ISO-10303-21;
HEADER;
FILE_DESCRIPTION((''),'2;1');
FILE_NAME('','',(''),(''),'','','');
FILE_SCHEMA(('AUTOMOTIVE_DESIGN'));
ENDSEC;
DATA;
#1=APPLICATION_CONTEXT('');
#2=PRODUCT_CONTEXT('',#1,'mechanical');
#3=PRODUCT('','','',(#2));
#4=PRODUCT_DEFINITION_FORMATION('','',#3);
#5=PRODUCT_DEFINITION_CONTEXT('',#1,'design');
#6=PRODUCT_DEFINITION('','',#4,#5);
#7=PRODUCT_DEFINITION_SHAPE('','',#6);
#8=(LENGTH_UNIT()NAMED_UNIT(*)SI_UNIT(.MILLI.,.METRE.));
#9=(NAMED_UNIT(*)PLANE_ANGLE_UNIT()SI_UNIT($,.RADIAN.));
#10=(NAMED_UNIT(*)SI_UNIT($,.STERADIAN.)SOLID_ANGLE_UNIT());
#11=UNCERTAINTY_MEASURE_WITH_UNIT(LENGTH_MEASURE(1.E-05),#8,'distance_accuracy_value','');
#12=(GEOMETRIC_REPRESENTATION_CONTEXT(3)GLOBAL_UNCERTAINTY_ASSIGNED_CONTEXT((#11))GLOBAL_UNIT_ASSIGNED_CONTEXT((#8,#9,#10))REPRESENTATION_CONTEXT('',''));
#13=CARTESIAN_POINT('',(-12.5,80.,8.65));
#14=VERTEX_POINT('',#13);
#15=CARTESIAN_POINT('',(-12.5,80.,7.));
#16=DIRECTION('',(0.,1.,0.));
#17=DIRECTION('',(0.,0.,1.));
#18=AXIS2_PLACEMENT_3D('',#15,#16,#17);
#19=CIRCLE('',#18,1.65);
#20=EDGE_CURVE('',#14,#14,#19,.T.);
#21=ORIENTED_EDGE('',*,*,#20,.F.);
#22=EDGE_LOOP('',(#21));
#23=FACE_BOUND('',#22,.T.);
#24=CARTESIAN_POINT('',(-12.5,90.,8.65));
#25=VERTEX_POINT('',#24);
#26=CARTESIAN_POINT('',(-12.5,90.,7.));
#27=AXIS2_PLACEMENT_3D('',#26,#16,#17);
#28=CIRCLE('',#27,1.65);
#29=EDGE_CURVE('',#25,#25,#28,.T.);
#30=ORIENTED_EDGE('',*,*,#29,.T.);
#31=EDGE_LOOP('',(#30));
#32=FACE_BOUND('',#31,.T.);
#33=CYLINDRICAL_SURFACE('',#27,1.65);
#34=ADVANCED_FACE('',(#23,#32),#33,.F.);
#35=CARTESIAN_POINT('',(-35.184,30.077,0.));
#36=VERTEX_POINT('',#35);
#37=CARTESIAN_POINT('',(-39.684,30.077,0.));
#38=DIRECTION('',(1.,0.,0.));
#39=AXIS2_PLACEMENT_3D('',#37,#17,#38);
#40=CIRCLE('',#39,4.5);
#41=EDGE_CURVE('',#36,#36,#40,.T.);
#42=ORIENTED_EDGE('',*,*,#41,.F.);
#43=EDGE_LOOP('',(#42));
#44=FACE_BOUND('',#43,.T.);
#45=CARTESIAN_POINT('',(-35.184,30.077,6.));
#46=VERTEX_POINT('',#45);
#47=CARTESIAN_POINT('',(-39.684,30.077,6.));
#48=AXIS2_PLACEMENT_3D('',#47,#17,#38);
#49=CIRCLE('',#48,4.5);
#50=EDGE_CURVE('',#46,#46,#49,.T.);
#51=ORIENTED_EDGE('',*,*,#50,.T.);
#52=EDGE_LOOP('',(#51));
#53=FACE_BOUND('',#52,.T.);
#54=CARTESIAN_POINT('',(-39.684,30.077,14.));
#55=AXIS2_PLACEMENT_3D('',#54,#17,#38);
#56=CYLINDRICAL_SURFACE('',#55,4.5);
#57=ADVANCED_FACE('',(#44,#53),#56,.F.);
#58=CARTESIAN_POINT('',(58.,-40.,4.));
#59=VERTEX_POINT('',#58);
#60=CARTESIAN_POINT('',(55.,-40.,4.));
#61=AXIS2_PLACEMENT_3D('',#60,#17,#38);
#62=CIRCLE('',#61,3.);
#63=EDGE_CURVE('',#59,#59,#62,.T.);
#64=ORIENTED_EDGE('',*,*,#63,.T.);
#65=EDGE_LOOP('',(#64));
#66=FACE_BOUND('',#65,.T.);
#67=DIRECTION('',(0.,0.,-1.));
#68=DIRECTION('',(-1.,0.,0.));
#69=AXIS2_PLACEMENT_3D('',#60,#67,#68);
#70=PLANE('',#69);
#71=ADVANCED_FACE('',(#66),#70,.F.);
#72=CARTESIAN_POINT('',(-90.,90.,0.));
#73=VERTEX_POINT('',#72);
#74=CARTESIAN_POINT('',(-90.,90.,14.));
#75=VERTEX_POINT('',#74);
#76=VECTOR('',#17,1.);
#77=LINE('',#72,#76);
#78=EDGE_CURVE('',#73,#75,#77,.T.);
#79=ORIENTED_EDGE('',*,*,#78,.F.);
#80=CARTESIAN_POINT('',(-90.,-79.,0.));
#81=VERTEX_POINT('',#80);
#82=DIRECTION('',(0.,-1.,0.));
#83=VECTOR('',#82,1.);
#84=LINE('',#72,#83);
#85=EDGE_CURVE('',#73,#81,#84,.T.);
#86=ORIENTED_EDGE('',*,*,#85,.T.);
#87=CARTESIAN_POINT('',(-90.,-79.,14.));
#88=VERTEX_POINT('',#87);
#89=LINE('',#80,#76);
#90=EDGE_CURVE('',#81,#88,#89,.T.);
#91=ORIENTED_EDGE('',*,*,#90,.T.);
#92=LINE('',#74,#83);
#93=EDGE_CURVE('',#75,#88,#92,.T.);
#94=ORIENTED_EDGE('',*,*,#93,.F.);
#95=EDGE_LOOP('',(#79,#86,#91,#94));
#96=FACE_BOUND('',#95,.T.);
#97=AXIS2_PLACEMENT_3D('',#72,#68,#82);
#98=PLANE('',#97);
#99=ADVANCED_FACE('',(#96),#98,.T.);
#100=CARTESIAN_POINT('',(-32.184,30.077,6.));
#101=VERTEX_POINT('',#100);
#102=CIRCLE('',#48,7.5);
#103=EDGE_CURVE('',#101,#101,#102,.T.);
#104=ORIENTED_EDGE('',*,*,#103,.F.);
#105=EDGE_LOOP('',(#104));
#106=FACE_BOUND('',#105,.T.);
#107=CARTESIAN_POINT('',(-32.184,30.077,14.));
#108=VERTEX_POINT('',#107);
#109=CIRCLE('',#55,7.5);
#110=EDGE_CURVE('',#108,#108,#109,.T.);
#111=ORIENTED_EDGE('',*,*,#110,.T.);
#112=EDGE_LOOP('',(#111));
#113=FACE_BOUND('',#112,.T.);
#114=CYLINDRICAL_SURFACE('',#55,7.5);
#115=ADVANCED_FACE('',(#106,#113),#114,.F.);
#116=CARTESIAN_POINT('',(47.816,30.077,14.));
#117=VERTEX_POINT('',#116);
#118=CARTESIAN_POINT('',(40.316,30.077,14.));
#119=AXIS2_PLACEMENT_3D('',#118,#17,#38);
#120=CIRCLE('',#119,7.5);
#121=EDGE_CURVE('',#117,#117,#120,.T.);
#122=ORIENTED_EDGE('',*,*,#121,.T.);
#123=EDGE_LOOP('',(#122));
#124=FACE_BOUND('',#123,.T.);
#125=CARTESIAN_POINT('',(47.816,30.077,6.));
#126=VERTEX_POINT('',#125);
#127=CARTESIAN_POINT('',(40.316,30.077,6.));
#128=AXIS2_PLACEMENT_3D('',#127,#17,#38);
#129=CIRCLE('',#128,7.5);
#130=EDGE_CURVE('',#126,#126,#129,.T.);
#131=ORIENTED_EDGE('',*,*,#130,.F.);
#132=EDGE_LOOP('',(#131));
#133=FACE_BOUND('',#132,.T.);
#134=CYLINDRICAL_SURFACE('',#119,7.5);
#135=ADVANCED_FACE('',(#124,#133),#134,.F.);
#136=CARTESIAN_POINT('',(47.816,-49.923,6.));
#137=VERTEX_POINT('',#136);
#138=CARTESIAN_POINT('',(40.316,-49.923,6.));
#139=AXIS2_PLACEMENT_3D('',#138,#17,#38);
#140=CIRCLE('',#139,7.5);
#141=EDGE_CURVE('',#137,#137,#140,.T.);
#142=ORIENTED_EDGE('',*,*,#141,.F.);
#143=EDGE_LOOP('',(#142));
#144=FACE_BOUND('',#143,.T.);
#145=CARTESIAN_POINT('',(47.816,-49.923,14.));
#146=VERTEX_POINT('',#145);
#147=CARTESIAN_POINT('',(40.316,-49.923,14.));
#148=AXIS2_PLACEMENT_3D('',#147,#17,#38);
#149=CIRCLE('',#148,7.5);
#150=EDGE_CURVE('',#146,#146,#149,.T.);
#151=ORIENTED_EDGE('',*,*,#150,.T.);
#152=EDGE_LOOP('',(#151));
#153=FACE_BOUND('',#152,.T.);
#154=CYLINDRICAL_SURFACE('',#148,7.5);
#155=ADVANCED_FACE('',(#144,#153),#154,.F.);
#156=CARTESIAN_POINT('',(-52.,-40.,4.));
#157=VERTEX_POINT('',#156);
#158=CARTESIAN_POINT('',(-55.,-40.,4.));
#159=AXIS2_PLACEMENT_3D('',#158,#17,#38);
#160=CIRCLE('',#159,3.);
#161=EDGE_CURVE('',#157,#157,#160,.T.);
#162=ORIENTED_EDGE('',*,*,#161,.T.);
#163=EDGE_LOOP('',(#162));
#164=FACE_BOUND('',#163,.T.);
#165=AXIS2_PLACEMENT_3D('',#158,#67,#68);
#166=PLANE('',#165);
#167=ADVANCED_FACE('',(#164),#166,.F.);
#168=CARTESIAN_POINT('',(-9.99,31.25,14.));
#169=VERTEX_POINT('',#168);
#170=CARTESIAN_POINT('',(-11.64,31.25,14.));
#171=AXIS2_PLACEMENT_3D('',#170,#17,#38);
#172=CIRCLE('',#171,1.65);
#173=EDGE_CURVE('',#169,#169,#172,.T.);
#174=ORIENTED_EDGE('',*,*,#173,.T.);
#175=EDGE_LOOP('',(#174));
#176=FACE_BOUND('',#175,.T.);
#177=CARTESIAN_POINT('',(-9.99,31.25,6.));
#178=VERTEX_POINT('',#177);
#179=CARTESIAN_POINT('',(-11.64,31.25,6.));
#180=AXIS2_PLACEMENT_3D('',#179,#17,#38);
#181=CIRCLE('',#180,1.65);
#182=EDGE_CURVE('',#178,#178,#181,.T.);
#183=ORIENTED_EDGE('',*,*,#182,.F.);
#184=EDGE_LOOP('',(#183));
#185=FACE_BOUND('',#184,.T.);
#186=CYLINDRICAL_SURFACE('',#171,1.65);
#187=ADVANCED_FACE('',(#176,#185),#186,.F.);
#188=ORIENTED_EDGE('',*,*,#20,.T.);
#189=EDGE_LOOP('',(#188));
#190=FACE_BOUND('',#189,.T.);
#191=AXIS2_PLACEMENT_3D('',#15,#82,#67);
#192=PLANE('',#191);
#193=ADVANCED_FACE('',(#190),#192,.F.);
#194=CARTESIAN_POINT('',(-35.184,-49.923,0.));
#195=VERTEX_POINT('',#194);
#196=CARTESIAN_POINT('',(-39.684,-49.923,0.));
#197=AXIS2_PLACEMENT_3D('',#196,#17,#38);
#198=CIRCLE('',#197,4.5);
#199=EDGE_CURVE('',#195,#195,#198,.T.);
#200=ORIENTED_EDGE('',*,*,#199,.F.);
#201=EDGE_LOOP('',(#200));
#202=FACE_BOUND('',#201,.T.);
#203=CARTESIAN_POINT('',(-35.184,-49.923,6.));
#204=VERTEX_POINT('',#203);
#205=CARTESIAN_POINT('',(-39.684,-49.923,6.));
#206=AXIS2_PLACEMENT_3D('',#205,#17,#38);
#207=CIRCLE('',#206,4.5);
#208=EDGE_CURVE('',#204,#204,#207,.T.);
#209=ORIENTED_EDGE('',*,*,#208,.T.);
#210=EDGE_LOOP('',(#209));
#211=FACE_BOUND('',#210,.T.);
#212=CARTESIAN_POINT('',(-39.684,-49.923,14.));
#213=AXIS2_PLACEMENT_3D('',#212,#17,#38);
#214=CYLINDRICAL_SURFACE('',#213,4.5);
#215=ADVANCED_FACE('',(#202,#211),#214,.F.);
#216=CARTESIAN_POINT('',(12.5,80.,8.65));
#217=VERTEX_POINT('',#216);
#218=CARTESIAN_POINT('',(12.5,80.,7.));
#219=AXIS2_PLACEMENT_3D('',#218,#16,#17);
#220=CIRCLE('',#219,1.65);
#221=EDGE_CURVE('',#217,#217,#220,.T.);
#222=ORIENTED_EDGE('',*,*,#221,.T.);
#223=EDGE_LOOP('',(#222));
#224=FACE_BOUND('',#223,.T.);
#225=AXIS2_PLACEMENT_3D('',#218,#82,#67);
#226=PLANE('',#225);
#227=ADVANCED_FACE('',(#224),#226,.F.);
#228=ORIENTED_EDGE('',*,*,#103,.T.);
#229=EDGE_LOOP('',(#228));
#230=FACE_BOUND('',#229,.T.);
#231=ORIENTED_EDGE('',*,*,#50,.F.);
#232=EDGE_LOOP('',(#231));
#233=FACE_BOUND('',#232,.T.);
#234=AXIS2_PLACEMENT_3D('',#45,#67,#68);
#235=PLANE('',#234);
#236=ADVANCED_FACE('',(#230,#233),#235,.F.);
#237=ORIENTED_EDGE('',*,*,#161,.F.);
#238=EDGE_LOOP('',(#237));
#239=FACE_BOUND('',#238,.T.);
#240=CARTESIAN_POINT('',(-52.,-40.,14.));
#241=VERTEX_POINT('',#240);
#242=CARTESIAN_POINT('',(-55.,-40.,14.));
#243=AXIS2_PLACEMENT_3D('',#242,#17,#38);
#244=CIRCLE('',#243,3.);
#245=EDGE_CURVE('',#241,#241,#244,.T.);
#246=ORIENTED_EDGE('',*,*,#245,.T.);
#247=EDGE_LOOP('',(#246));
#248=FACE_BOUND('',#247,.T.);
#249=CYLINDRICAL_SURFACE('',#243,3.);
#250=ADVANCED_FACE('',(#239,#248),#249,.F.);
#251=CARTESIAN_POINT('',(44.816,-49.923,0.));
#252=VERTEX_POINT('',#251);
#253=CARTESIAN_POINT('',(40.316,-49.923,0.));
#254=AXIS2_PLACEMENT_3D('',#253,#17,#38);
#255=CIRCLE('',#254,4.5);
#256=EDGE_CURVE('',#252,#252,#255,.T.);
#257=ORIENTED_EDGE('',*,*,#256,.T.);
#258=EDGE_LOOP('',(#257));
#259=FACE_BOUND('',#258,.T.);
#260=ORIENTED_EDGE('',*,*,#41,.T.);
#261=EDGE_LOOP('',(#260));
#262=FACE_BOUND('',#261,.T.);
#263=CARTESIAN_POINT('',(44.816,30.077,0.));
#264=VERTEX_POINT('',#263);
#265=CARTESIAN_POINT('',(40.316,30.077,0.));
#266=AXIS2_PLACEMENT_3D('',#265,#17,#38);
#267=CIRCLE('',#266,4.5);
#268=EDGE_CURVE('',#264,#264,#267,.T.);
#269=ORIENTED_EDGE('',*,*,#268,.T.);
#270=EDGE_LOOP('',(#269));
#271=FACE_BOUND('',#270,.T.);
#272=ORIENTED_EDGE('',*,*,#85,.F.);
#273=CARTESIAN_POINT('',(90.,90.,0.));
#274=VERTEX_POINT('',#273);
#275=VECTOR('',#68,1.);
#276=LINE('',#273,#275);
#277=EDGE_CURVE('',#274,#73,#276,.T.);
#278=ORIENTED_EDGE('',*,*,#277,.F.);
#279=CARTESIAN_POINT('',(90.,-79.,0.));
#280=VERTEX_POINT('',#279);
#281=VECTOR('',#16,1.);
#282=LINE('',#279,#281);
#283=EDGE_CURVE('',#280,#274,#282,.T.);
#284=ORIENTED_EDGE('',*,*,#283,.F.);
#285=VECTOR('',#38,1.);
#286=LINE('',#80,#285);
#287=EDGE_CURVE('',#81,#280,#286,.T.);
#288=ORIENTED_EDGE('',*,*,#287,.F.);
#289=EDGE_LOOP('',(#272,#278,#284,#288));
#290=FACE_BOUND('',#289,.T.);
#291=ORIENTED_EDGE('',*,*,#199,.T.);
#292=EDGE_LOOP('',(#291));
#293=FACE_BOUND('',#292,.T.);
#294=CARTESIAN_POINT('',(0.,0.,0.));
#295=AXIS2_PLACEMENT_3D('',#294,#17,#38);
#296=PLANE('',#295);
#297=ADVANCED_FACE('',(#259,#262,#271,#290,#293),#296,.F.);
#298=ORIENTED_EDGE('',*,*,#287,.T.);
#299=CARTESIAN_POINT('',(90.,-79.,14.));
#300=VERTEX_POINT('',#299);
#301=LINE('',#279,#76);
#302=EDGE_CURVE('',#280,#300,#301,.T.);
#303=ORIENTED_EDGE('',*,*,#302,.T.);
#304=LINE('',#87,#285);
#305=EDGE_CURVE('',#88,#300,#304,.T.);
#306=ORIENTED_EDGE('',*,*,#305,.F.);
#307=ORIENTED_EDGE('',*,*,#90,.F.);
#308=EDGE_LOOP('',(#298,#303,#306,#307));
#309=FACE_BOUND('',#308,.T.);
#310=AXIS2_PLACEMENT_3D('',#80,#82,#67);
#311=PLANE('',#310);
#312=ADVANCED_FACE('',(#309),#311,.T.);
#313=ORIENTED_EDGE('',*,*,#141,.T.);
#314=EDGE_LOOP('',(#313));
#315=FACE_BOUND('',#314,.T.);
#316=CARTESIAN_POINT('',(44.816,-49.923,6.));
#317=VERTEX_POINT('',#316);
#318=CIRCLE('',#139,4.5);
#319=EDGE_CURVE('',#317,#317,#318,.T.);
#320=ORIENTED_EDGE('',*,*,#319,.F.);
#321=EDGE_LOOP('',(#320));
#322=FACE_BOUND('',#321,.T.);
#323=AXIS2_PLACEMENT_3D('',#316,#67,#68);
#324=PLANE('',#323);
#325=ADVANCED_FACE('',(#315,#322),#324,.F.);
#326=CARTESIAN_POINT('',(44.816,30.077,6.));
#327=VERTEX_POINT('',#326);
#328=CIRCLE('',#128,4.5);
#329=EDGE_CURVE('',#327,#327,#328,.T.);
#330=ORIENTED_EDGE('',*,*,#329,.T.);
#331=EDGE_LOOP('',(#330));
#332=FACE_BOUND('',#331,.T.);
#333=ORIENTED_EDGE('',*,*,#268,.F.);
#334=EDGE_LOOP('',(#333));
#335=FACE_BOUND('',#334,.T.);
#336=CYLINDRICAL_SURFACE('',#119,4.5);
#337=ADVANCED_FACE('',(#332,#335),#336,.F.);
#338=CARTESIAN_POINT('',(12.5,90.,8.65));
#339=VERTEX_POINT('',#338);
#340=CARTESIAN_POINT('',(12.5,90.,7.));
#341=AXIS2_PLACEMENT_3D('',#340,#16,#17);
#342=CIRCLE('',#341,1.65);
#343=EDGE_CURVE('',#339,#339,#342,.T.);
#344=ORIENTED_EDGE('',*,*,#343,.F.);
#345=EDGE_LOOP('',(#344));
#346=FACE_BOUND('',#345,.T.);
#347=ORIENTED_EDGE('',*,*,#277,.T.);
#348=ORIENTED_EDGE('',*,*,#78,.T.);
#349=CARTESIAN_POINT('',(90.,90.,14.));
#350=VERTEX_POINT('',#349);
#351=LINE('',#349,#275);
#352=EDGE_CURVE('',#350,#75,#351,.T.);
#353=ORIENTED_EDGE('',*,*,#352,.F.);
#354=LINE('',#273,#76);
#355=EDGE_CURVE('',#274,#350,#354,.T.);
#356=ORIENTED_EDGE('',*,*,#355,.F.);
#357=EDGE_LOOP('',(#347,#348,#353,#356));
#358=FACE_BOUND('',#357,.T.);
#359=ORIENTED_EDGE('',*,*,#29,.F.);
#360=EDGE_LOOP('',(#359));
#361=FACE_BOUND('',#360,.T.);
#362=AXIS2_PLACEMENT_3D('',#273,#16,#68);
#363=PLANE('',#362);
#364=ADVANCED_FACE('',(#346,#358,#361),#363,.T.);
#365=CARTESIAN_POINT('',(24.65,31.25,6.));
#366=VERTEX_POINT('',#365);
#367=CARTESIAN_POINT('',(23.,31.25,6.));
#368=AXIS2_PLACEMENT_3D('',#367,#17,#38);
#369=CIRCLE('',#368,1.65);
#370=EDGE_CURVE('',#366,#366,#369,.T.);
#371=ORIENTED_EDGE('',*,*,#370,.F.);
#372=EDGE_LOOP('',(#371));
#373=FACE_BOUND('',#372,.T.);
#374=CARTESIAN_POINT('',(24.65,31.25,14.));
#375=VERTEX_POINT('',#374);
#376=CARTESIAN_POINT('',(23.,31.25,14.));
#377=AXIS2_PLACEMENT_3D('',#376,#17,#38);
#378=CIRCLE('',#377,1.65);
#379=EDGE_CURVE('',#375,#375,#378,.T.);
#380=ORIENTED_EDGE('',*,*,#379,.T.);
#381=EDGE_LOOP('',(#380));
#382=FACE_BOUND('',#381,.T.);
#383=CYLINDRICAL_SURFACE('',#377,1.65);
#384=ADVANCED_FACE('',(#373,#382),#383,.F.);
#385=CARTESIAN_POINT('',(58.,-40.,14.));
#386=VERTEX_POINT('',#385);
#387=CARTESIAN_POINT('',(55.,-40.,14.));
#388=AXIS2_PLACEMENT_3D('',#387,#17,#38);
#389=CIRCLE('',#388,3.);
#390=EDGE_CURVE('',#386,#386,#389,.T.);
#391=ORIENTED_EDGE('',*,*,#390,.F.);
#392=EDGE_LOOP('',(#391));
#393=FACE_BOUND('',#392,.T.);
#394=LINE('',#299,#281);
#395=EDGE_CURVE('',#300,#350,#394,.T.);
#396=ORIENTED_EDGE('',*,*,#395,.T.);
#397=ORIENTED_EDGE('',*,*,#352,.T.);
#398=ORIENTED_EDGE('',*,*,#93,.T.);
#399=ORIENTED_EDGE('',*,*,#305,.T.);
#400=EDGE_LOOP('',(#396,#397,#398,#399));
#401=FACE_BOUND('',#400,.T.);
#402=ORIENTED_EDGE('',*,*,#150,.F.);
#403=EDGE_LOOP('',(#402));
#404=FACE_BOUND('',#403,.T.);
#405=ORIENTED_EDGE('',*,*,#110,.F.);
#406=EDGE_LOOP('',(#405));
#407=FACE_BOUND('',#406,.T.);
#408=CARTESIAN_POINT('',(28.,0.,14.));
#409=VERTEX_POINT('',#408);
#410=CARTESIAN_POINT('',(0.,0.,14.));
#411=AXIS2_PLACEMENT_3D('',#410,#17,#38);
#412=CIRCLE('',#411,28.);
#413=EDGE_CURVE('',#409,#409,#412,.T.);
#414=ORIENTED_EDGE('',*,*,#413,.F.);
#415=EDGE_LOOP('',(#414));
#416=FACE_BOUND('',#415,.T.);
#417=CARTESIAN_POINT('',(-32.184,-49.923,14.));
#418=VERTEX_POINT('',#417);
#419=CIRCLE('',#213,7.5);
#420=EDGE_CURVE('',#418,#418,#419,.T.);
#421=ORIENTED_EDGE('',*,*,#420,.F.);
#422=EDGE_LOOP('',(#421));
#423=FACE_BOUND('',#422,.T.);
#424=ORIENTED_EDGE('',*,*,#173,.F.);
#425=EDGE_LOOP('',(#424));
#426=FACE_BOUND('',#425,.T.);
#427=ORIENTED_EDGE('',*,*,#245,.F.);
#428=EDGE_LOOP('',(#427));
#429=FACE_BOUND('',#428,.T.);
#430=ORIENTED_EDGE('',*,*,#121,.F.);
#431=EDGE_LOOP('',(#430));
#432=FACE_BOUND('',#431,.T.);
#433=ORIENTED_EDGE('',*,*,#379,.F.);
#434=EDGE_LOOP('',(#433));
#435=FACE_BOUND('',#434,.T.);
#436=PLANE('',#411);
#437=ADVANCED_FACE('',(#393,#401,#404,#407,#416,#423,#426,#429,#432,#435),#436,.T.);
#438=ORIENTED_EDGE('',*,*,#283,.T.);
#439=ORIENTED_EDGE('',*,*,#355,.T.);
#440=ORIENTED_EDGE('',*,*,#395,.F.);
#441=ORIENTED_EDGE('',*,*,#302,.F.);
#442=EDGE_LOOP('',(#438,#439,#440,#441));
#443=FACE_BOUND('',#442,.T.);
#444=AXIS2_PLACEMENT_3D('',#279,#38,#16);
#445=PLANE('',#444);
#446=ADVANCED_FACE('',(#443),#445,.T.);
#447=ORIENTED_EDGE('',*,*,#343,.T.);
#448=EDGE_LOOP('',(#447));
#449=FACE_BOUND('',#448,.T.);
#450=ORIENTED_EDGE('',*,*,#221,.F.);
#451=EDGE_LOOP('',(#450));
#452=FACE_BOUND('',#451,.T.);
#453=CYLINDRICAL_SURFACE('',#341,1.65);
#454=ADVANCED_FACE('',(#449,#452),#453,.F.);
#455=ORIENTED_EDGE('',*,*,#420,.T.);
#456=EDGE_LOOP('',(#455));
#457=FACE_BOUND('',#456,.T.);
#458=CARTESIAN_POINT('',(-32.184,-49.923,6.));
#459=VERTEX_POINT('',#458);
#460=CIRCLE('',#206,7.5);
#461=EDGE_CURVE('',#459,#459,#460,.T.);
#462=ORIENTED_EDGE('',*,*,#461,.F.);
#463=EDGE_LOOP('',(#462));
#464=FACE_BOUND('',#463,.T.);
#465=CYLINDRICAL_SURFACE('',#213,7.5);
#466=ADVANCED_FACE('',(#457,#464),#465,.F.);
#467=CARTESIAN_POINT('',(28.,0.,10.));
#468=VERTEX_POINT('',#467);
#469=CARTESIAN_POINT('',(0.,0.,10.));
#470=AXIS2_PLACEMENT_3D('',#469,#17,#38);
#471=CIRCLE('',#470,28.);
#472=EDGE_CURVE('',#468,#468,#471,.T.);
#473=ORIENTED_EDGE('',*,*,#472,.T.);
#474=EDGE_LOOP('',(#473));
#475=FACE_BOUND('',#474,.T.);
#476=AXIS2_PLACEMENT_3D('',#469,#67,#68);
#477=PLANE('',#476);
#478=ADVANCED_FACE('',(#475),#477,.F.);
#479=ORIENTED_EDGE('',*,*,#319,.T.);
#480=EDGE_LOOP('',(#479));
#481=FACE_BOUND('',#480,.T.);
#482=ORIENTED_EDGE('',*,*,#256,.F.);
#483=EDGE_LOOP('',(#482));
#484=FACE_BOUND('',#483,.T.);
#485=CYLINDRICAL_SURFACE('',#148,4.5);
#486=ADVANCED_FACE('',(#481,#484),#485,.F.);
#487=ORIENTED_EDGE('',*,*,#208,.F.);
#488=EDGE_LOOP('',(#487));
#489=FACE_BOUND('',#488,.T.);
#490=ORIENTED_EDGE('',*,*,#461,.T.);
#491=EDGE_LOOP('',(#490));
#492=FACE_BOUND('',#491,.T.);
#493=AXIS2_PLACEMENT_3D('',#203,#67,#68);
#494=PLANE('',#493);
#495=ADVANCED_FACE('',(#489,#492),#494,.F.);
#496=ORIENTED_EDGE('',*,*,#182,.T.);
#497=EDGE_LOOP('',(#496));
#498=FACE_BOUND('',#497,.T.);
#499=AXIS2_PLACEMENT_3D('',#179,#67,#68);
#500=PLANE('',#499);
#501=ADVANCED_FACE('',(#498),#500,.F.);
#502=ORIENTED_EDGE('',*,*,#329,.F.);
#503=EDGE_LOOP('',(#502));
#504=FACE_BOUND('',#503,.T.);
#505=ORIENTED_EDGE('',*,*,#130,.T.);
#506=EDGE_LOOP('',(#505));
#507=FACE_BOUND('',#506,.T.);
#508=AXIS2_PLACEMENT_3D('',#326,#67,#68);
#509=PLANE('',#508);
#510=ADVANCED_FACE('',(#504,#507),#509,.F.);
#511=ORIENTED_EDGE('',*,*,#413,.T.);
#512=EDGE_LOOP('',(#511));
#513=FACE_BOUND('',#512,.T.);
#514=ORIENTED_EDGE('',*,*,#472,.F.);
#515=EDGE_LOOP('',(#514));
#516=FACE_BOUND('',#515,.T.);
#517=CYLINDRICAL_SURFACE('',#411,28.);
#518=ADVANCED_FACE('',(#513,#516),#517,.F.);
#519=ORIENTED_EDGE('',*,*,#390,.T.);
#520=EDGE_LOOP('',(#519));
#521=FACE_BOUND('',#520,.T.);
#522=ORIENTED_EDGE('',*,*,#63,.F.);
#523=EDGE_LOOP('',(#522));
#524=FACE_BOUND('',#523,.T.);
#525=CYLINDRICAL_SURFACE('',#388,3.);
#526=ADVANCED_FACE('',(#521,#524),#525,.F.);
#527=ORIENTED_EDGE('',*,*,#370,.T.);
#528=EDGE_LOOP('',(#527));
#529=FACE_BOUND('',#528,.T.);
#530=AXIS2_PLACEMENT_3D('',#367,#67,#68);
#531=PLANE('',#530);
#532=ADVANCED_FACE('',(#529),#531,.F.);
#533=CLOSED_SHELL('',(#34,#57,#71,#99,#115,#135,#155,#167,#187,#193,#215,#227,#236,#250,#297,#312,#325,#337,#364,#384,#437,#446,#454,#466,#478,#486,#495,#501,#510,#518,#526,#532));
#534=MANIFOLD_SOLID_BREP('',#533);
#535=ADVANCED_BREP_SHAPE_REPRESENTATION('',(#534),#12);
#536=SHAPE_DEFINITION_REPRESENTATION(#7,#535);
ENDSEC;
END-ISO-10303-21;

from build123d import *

# Parameters (mm, degrees)
SKETCH1_W                               = 180
SKETCH1_H                               = 169
BOSS_EXTRUDE1_DEPTH                     = 14
F_6_0_6_DIAMETER_HOLE1_D                = 6
F_6_0_6_DIAMETER_HOLE1_DEPTH            = 10
M48_CLEARANCE_HOLE1_D                   = 56
M48_CLEARANCE_HOLE1_DEPTH               = 4
F_3_3_3_3_DIAMETER_HOLE1_D              = 3.3
F_3_3_3_3_DIAMETER_HOLE1_DEPTH          = 8
CBORE_FOR_M8_HEX_HEAD_BOLT1_D           = 9
CBORE_FOR_M8_HEX_HEAD_BOLT1_CBORE_D     = 15
CBORE_FOR_M8_HEX_HEAD_BOLT1_CBORE_DEPTH = 8
F_3_3_3_3_DIAMETER_HOLE2_D              = 3.3
F_3_3_3_3_DIAMETER_HOLE2_DEPTH          = 10


with BuildPart() as part:
    # Sketch1 → Boss-Extrude1 (new body)
    with BuildSketch(Plane.XY.offset(14)):
        with Locations((0, 5.5)):
            Rectangle(SKETCH1_W, SKETCH1_H)
    extrude(amount=-BOSS_EXTRUDE1_DEPTH)

    # Ø6.0 (6) Diameter Hole1
    with Locations(Plane.XY.offset(14)):
        with Locations((55, -40), (-55, -40)):
            Hole(F_6_0_6_DIAMETER_HOLE1_D / 2, depth=F_6_0_6_DIAMETER_HOLE1_DEPTH)

    # M48 Clearance Hole1
    with Locations(Plane.XY.offset(14)):
        with Locations((0, 0)):
            Hole(M48_CLEARANCE_HOLE1_D / 2, depth=M48_CLEARANCE_HOLE1_DEPTH)

    # Ø3.3 (3.3) Diameter Hole1
    with Locations(Plane.XY.offset(14)):
        with Locations((23, 31.25), (-11.64, 31.25)):
            Hole(F_3_3_3_3_DIAMETER_HOLE1_D / 2, depth=F_3_3_3_3_DIAMETER_HOLE1_DEPTH)

    # CBORE for M8 Hex Head Bolt1 (through all)
    with Locations(Plane.XY.offset(14)):
        with Locations((40.316, 30.077), (-39.684, 30.077), (40.316, -49.923), (-39.684, -49.923)):
            CounterBoreHole(CBORE_FOR_M8_HEX_HEAD_BOLT1_D / 2, CBORE_FOR_M8_HEX_HEAD_BOLT1_CBORE_D / 2, CBORE_FOR_M8_HEX_HEAD_BOLT1_CBORE_DEPTH)

    # Ø3.3 (3.3) Diameter Hole2
    with Locations(Plane(origin=(0, 90, 0), x_dir=(1, 0, 0), z_dir=(0, 1, 0))):
        with Locations((-12.5, -7), (12.5, -7)):
            Hole(F_3_3_3_3_DIAMETER_HOLE2_D / 2, depth=F_3_3_3_3_DIAMETER_HOLE2_DEPTH)


solid = part.part
